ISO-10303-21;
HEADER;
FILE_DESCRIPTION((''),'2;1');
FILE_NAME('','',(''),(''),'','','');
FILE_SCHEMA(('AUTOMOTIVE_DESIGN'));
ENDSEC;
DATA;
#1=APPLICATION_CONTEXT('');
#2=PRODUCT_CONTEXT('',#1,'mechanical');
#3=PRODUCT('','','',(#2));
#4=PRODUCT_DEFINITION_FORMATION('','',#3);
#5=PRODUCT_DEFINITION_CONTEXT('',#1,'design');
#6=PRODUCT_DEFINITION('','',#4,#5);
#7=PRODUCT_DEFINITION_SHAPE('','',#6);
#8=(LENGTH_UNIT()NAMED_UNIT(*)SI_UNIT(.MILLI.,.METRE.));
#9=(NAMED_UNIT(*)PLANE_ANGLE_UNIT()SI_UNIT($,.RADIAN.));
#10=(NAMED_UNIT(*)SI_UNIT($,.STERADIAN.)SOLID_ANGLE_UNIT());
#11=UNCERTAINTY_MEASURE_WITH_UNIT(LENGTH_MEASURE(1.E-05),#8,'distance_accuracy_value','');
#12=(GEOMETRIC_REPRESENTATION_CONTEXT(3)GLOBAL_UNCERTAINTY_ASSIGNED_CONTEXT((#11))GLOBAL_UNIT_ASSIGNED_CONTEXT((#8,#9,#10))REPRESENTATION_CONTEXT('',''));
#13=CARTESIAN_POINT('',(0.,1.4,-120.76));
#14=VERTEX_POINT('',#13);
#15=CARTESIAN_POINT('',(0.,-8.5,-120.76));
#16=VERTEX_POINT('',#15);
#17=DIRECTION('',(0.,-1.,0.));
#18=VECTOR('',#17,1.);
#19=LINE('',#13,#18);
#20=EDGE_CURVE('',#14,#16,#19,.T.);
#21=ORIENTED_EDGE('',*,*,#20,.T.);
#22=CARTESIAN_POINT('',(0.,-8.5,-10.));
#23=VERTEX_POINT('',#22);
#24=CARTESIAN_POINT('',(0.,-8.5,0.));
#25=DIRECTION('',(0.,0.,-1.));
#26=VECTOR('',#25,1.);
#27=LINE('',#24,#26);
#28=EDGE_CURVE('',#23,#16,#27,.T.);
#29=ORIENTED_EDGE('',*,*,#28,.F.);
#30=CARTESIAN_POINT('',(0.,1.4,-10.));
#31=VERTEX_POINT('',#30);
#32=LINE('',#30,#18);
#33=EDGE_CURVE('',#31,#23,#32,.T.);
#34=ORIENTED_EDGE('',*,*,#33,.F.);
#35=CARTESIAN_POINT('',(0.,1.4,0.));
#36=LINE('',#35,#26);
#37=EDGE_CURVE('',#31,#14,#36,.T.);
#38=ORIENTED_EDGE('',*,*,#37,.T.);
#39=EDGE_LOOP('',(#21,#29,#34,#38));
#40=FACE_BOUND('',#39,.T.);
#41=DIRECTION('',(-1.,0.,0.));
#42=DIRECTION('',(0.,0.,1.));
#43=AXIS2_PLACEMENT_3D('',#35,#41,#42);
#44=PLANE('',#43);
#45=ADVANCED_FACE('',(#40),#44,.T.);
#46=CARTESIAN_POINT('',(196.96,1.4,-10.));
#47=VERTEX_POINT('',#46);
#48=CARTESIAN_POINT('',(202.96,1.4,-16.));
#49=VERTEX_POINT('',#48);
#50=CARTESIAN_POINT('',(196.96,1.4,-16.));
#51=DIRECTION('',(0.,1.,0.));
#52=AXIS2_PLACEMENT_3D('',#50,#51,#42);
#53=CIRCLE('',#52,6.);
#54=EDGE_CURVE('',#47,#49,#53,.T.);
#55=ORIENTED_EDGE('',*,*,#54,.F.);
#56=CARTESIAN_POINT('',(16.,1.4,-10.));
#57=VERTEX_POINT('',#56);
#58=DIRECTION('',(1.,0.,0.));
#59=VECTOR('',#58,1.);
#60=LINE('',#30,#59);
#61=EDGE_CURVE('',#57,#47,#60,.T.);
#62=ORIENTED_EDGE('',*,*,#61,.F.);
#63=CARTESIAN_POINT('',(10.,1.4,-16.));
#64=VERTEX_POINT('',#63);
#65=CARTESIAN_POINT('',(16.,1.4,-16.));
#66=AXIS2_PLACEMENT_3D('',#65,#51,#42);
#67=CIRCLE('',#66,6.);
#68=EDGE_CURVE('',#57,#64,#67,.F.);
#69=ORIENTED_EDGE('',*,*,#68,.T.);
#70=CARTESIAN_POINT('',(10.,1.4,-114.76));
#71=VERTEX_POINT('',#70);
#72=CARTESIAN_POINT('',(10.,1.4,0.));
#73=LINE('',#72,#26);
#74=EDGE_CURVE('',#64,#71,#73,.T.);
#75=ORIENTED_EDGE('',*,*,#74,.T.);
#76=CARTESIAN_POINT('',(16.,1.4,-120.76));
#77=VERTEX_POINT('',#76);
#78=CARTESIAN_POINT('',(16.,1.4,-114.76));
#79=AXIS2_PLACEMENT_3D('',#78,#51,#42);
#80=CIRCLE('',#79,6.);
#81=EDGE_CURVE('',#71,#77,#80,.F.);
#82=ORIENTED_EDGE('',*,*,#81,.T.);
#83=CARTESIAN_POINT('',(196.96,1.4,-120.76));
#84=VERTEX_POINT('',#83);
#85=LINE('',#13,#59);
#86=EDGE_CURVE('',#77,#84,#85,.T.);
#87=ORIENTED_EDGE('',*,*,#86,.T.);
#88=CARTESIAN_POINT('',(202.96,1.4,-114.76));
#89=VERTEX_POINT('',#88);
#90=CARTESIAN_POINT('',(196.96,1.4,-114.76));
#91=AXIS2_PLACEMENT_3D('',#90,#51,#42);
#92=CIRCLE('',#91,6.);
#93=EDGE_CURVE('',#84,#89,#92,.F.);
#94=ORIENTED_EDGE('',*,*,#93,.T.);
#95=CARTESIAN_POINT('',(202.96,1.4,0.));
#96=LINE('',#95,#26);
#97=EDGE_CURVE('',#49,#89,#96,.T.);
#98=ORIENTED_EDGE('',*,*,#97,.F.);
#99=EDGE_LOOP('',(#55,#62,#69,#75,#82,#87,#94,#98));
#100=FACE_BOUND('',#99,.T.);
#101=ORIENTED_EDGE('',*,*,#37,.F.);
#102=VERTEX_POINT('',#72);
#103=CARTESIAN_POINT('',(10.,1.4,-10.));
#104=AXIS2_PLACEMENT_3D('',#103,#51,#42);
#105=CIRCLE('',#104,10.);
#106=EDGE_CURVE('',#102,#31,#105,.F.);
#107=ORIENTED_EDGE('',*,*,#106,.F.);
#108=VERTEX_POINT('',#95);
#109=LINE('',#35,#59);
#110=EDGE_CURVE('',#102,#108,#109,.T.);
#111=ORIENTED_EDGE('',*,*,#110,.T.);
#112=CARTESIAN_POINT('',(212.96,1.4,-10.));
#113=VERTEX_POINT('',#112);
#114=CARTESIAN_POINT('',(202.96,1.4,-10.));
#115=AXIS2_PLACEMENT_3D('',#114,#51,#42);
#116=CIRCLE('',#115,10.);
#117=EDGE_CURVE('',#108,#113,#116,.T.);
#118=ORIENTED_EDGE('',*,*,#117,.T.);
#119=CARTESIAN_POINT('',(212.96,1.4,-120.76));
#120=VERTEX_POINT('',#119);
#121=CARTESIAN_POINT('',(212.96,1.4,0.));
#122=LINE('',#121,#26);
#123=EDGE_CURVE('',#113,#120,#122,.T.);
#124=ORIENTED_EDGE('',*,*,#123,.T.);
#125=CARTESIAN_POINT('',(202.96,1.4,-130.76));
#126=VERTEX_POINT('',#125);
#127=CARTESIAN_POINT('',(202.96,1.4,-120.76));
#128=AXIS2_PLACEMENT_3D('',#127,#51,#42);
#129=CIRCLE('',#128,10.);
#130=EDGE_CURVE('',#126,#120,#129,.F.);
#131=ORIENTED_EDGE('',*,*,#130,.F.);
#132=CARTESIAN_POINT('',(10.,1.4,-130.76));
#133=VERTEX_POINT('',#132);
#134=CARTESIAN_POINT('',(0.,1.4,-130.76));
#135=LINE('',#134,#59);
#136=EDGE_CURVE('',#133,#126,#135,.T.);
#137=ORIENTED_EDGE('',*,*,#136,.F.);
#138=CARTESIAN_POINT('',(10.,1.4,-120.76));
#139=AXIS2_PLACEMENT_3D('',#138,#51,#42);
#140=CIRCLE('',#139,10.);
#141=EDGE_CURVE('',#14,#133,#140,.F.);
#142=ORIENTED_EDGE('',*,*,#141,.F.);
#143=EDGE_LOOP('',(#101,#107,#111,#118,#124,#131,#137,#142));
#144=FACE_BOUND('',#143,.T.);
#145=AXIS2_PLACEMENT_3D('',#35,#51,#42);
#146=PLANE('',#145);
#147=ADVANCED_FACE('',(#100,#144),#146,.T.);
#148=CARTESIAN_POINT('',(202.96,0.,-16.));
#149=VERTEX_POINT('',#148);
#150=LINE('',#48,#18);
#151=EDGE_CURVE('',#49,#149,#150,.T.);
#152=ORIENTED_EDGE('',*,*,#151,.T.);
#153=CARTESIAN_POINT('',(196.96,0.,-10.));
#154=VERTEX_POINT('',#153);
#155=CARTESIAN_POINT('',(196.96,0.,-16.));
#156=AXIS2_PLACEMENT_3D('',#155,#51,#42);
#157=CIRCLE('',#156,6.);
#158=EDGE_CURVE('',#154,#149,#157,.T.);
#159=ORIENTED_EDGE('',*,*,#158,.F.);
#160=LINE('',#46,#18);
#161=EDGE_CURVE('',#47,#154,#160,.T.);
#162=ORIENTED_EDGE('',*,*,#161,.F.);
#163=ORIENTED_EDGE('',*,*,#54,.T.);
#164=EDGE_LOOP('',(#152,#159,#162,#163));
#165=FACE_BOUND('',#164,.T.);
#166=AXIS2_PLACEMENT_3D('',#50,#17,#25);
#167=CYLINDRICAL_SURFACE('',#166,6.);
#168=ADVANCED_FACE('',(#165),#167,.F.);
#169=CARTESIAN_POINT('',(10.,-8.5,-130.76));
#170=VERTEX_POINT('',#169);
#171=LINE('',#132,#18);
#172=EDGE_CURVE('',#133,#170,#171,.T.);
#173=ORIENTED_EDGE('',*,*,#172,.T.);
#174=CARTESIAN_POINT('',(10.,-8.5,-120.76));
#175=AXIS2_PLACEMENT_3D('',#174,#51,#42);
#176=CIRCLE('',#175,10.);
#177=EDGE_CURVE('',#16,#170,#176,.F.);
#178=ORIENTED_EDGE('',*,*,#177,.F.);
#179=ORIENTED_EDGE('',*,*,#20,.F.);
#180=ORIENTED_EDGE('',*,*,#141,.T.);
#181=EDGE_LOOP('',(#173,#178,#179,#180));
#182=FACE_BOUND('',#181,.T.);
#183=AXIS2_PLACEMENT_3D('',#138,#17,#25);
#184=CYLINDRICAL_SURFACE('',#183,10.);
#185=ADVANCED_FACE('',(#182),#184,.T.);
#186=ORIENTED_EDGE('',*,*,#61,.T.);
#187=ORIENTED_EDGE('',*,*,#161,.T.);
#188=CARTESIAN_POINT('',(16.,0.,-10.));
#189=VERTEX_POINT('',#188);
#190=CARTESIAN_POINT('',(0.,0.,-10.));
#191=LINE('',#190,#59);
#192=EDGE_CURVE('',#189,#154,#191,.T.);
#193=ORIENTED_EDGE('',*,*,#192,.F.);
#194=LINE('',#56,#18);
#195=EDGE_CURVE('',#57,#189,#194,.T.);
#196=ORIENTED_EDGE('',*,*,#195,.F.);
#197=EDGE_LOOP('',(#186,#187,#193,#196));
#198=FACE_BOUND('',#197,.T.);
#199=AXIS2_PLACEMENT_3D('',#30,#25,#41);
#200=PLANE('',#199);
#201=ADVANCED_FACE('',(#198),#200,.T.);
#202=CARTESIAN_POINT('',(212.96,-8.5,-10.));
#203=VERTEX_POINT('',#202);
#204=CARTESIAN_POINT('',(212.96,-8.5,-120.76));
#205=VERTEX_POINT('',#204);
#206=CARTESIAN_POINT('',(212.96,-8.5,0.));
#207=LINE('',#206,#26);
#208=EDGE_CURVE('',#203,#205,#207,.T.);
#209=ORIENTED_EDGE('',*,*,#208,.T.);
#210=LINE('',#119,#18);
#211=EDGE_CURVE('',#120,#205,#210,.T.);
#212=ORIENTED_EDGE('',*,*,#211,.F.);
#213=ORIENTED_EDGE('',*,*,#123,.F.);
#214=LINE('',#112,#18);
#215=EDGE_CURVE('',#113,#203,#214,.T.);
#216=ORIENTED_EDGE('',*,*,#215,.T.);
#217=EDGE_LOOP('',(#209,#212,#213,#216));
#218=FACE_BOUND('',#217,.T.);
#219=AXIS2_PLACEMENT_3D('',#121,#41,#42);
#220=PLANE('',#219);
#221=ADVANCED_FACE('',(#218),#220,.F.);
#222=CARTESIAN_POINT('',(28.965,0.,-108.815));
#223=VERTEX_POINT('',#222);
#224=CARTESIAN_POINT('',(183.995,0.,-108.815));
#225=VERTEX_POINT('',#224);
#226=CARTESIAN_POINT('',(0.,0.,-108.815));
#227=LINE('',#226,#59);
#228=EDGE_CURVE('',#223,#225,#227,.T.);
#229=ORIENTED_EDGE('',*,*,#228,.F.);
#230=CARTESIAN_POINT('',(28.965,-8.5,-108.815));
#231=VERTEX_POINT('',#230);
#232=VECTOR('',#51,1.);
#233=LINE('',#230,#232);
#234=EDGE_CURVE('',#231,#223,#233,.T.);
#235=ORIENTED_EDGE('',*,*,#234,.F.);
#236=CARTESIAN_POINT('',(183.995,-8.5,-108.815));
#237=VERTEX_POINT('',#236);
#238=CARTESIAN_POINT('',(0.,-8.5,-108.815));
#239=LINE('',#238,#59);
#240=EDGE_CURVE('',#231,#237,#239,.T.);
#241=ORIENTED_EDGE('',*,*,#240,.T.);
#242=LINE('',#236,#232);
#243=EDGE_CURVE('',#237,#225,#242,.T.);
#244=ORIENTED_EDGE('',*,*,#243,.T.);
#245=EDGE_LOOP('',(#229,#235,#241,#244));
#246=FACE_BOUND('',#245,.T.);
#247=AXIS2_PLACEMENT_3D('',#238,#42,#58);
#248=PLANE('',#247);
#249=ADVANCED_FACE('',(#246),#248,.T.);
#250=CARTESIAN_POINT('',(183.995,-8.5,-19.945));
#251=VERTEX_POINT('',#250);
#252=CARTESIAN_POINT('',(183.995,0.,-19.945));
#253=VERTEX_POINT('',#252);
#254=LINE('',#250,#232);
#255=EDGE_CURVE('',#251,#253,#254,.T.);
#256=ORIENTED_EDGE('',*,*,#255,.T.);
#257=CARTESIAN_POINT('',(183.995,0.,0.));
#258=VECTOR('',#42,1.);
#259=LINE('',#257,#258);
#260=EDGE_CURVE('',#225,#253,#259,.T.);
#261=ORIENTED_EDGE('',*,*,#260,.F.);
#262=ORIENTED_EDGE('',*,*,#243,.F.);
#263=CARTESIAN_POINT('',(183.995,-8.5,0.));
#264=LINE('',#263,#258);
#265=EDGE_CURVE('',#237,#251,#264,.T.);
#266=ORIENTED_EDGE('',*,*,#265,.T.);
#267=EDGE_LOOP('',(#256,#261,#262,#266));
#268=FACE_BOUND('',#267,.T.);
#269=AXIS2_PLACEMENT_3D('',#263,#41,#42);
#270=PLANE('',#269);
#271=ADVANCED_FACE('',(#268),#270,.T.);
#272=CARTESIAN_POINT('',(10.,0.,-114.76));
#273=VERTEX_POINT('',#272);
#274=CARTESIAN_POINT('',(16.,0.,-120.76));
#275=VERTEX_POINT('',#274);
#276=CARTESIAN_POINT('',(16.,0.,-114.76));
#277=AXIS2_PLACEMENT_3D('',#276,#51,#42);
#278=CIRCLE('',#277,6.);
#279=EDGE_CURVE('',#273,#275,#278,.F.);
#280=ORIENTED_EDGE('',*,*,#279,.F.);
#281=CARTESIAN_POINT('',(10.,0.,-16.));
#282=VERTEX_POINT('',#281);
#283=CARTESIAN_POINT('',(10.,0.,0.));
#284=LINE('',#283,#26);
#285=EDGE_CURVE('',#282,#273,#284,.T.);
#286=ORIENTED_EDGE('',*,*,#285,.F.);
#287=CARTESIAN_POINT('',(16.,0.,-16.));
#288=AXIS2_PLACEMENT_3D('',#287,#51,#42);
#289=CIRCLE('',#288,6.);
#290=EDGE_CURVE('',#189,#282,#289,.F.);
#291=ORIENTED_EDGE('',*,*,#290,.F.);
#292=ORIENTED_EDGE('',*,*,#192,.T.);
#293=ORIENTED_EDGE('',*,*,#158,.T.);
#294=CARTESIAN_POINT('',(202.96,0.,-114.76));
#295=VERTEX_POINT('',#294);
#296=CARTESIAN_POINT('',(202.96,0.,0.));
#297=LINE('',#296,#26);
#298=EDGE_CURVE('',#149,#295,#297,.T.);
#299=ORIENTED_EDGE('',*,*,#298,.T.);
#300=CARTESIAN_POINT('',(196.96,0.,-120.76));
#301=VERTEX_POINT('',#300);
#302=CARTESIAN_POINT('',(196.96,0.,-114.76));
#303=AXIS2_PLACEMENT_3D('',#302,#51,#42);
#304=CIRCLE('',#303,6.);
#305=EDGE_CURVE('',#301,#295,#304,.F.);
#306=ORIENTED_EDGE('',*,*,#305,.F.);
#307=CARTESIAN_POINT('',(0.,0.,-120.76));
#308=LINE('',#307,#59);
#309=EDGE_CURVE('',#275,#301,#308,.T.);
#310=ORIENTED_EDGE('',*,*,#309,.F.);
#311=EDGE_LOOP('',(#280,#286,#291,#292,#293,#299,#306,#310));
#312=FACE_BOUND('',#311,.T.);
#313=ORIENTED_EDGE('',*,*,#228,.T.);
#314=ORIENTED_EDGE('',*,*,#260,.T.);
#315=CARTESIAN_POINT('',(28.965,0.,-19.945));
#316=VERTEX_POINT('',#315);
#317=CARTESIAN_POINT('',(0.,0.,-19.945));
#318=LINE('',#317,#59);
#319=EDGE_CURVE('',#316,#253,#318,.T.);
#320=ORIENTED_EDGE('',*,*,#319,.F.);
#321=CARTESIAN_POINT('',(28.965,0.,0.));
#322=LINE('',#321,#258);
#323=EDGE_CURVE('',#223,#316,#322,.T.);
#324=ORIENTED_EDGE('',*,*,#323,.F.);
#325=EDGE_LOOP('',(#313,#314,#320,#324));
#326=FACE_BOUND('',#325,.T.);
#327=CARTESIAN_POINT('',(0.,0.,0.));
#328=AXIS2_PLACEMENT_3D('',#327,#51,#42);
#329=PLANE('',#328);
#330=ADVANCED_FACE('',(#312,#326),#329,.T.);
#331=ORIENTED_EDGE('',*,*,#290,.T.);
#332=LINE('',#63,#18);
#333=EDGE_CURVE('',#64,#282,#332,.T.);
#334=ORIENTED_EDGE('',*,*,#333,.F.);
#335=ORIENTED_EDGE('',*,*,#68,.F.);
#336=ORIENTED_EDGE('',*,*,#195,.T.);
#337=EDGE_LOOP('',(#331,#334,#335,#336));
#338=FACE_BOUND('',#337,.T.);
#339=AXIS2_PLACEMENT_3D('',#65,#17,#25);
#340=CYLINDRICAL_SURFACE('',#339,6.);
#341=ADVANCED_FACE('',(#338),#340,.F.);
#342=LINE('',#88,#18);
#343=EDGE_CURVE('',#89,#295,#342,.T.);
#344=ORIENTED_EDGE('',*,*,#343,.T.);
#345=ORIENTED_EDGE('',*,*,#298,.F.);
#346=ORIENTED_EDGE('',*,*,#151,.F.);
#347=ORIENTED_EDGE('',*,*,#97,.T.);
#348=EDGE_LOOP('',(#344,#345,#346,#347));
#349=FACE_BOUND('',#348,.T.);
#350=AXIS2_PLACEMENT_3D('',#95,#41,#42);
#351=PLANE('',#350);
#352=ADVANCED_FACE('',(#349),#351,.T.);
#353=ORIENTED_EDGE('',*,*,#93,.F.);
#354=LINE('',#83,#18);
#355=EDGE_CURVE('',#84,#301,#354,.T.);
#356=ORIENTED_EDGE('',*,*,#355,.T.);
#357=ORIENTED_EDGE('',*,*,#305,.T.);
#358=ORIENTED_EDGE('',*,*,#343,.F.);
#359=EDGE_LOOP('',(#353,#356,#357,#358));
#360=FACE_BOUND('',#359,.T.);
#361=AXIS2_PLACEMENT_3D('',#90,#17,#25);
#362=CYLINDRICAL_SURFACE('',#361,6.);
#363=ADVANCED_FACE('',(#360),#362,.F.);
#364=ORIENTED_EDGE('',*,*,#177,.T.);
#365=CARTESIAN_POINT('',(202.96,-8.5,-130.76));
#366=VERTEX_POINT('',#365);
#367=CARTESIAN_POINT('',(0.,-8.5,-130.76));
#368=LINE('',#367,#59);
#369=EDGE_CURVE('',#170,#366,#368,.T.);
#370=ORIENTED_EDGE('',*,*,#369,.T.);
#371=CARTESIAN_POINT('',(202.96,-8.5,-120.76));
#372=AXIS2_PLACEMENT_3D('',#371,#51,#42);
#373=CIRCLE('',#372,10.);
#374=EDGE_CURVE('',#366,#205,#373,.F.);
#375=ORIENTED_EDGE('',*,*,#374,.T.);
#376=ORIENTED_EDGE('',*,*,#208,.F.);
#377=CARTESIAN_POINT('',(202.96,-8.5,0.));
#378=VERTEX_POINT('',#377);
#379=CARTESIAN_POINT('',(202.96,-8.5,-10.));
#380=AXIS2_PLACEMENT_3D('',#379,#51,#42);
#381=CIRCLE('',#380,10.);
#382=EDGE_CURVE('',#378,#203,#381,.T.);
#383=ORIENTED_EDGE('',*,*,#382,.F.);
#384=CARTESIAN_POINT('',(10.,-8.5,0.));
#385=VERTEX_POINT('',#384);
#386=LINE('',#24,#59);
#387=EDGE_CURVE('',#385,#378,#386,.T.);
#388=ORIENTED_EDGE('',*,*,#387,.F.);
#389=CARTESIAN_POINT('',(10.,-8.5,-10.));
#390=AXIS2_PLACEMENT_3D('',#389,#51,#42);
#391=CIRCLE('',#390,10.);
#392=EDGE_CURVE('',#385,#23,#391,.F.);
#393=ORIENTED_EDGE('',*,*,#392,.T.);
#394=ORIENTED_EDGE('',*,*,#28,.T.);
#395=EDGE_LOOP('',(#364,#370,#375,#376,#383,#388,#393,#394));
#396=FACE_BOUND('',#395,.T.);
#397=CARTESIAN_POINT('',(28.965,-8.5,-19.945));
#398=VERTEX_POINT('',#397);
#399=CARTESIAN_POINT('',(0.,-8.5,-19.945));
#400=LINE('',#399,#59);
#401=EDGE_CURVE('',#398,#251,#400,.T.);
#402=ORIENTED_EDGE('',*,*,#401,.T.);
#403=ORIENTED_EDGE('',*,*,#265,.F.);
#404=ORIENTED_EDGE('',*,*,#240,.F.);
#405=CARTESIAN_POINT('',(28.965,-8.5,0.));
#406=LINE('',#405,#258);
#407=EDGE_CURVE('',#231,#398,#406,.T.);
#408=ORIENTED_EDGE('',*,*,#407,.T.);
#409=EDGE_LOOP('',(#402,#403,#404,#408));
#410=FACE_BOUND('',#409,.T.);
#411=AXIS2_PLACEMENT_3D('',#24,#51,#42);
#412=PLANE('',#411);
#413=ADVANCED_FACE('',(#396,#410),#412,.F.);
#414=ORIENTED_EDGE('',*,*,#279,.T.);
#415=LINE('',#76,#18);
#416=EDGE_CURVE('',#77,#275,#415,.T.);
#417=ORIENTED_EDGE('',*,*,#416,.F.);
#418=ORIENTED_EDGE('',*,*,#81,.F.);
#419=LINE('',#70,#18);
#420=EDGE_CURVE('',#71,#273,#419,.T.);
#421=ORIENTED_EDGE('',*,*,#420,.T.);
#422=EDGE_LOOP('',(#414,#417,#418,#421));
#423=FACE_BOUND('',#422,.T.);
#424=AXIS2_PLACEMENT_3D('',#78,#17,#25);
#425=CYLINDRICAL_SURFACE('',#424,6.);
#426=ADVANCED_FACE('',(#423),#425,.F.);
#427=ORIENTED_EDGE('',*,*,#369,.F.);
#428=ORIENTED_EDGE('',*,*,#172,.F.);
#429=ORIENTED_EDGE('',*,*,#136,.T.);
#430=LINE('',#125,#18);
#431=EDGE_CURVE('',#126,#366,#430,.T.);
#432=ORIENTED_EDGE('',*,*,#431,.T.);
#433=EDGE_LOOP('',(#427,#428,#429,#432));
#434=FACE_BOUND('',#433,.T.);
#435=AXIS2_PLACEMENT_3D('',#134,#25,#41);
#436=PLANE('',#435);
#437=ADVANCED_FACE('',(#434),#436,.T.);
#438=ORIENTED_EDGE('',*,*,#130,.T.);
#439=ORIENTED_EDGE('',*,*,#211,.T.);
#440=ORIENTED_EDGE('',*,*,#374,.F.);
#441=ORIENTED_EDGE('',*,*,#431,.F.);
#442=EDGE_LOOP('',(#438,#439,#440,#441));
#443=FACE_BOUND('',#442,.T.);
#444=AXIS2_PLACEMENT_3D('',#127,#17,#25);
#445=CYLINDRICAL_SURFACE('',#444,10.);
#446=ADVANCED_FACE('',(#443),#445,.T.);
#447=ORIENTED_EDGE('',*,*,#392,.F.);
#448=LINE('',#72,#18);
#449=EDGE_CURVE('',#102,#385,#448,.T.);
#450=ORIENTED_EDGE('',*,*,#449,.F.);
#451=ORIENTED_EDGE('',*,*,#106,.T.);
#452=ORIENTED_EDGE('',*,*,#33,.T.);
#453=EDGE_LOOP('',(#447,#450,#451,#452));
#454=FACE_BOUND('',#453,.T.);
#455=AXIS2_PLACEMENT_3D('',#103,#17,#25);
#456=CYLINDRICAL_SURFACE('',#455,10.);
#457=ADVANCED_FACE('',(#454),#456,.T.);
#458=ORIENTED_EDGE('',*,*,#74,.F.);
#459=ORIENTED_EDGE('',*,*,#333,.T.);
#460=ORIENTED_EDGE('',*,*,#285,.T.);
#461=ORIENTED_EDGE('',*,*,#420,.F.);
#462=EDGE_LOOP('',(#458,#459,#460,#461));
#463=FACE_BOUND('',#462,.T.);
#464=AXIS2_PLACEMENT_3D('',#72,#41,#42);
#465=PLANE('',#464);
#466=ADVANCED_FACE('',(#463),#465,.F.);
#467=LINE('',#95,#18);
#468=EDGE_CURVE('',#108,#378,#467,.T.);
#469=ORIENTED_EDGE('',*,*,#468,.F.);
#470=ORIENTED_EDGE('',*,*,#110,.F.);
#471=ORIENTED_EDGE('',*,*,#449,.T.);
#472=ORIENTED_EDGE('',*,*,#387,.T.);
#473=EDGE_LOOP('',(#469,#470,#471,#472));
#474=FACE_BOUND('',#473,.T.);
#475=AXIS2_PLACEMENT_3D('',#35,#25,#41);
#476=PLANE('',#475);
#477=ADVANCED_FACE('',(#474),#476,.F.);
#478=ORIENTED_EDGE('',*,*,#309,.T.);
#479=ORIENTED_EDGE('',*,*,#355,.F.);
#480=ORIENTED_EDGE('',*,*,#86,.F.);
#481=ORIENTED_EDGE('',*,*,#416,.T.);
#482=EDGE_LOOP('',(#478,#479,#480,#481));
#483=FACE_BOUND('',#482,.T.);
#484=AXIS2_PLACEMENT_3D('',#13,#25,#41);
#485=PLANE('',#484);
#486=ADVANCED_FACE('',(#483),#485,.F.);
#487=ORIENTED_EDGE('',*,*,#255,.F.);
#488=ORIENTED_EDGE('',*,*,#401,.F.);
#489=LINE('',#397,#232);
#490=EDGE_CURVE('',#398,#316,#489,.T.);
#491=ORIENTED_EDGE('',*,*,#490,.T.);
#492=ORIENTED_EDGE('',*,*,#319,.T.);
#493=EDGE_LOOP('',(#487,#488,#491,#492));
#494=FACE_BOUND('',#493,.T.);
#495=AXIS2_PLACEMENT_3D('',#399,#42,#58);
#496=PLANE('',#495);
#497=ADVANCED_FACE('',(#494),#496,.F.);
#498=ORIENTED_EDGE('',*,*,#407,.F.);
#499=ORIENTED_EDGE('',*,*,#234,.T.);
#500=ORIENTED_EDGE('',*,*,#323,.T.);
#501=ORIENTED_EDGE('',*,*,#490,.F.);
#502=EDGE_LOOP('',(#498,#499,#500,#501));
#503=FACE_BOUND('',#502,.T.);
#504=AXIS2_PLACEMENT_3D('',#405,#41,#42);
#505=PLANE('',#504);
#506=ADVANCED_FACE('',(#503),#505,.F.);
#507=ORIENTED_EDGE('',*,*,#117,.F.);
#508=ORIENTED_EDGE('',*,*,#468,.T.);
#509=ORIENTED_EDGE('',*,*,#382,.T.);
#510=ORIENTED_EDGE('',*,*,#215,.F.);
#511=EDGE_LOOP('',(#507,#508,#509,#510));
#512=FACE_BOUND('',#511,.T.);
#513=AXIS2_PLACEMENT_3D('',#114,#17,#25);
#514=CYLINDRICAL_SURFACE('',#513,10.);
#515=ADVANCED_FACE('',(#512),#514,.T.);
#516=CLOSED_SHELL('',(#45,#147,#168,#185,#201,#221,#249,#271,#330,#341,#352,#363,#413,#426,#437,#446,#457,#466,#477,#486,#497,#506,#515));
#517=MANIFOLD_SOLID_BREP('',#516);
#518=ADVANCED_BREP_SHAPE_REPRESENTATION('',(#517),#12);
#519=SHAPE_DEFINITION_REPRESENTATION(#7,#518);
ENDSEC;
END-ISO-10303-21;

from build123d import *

# Parameters (mm, degrees)
BOSS_EXTRUDE1_DEPTH = 1.4
BOSS_EXTRUDE2_START = -8.5
FRONT_FACE_3_W      = 155.03
FRONT_FACE_3_H      = 88.87
BOSS_EXTRUDE2_DEPTH = 8.5


with BuildPart() as part:
    # Front Face → Boss-Extrude1 (new body)
    with BuildSketch(Plane(origin=(0, 0, 0), x_dir=(1, 0, 0), z_dir=(0, 1, 0))):
        with BuildLine():
            ThreePointArc((0, 10), (2.928932188, 2.928932188), (10, 0))
            Line((10, 0), (202.96, 0))
            ThreePointArc((202.96, 0), (210.031067812, 2.928932188), (212.96, 10))
            Line((212.96, 10), (212.96, 120.76))
            ThreePointArc((212.96, 120.76), (210.031067812, 127.831067812), (202.96, 130.76))
            Line((202.96, 130.76), (10, 130.76))
            ThreePointArc((10, 130.76), (2.928932188, 127.831067812), (0, 120.76))
            Line((0, 120.76), (0, 10))
        make_face()
        with BuildLine():
            Line((196.96, 10), (16, 10))
            ThreePointArc((16, 10), (11.757359313, 11.757359313), (10, 16))
            Line((10, 16), (10, 114.76))
            ThreePointArc((10, 114.76), (11.757359313, 119.002640687), (16, 120.76))
            Line((16, 120.76), (196.96, 120.76))
            ThreePointArc((196.96, 120.76), (201.202640687, 119.002640687), (202.96, 114.76))
            Line((202.96, 114.76), (202.96, 16))
            ThreePointArc((202.96, 16), (201.202640687, 11.757359313), (196.96, 10))
        make_face(mode=Mode.SUBTRACT)
    extrude(amount=BOSS_EXTRUDE1_DEPTH)

    # Front Face<3> → Boss-Extrude2 (add)
    with BuildSketch(Plane(origin=(0, 0, 0), x_dir=(1, 0, 0), z_dir=(0, 1, 0)).offset(BOSS_EXTRUDE2_START)):
        with BuildLine():
            ThreePointArc((0, 10), (2.928932188, 2.928932188), (10, 0))
            Line((10, 0), (202.96, 0))
            ThreePointArc((202.96, 0), (210.031067812, 2.928932188), (212.96, 10))
            Line((212.96, 10), (212.96, 120.76))
            ThreePointArc((212.96, 120.76), (210.031067812, 127.831067812), (202.96, 130.76))
            Line((202.96, 130.76), (10, 130.76))
            ThreePointArc((10, 130.76), (2.928932188, 127.831067812), (0, 120.76))
            Line((0, 120.76), (0, 10))
        make_face()
        with Locations((106.48, 64.38)):
            Rectangle(FRONT_FACE_3_W, FRONT_FACE_3_H, mode=Mode.SUBTRACT)
    extrude(amount=BOSS_EXTRUDE2_DEPTH)


solid = part.part
